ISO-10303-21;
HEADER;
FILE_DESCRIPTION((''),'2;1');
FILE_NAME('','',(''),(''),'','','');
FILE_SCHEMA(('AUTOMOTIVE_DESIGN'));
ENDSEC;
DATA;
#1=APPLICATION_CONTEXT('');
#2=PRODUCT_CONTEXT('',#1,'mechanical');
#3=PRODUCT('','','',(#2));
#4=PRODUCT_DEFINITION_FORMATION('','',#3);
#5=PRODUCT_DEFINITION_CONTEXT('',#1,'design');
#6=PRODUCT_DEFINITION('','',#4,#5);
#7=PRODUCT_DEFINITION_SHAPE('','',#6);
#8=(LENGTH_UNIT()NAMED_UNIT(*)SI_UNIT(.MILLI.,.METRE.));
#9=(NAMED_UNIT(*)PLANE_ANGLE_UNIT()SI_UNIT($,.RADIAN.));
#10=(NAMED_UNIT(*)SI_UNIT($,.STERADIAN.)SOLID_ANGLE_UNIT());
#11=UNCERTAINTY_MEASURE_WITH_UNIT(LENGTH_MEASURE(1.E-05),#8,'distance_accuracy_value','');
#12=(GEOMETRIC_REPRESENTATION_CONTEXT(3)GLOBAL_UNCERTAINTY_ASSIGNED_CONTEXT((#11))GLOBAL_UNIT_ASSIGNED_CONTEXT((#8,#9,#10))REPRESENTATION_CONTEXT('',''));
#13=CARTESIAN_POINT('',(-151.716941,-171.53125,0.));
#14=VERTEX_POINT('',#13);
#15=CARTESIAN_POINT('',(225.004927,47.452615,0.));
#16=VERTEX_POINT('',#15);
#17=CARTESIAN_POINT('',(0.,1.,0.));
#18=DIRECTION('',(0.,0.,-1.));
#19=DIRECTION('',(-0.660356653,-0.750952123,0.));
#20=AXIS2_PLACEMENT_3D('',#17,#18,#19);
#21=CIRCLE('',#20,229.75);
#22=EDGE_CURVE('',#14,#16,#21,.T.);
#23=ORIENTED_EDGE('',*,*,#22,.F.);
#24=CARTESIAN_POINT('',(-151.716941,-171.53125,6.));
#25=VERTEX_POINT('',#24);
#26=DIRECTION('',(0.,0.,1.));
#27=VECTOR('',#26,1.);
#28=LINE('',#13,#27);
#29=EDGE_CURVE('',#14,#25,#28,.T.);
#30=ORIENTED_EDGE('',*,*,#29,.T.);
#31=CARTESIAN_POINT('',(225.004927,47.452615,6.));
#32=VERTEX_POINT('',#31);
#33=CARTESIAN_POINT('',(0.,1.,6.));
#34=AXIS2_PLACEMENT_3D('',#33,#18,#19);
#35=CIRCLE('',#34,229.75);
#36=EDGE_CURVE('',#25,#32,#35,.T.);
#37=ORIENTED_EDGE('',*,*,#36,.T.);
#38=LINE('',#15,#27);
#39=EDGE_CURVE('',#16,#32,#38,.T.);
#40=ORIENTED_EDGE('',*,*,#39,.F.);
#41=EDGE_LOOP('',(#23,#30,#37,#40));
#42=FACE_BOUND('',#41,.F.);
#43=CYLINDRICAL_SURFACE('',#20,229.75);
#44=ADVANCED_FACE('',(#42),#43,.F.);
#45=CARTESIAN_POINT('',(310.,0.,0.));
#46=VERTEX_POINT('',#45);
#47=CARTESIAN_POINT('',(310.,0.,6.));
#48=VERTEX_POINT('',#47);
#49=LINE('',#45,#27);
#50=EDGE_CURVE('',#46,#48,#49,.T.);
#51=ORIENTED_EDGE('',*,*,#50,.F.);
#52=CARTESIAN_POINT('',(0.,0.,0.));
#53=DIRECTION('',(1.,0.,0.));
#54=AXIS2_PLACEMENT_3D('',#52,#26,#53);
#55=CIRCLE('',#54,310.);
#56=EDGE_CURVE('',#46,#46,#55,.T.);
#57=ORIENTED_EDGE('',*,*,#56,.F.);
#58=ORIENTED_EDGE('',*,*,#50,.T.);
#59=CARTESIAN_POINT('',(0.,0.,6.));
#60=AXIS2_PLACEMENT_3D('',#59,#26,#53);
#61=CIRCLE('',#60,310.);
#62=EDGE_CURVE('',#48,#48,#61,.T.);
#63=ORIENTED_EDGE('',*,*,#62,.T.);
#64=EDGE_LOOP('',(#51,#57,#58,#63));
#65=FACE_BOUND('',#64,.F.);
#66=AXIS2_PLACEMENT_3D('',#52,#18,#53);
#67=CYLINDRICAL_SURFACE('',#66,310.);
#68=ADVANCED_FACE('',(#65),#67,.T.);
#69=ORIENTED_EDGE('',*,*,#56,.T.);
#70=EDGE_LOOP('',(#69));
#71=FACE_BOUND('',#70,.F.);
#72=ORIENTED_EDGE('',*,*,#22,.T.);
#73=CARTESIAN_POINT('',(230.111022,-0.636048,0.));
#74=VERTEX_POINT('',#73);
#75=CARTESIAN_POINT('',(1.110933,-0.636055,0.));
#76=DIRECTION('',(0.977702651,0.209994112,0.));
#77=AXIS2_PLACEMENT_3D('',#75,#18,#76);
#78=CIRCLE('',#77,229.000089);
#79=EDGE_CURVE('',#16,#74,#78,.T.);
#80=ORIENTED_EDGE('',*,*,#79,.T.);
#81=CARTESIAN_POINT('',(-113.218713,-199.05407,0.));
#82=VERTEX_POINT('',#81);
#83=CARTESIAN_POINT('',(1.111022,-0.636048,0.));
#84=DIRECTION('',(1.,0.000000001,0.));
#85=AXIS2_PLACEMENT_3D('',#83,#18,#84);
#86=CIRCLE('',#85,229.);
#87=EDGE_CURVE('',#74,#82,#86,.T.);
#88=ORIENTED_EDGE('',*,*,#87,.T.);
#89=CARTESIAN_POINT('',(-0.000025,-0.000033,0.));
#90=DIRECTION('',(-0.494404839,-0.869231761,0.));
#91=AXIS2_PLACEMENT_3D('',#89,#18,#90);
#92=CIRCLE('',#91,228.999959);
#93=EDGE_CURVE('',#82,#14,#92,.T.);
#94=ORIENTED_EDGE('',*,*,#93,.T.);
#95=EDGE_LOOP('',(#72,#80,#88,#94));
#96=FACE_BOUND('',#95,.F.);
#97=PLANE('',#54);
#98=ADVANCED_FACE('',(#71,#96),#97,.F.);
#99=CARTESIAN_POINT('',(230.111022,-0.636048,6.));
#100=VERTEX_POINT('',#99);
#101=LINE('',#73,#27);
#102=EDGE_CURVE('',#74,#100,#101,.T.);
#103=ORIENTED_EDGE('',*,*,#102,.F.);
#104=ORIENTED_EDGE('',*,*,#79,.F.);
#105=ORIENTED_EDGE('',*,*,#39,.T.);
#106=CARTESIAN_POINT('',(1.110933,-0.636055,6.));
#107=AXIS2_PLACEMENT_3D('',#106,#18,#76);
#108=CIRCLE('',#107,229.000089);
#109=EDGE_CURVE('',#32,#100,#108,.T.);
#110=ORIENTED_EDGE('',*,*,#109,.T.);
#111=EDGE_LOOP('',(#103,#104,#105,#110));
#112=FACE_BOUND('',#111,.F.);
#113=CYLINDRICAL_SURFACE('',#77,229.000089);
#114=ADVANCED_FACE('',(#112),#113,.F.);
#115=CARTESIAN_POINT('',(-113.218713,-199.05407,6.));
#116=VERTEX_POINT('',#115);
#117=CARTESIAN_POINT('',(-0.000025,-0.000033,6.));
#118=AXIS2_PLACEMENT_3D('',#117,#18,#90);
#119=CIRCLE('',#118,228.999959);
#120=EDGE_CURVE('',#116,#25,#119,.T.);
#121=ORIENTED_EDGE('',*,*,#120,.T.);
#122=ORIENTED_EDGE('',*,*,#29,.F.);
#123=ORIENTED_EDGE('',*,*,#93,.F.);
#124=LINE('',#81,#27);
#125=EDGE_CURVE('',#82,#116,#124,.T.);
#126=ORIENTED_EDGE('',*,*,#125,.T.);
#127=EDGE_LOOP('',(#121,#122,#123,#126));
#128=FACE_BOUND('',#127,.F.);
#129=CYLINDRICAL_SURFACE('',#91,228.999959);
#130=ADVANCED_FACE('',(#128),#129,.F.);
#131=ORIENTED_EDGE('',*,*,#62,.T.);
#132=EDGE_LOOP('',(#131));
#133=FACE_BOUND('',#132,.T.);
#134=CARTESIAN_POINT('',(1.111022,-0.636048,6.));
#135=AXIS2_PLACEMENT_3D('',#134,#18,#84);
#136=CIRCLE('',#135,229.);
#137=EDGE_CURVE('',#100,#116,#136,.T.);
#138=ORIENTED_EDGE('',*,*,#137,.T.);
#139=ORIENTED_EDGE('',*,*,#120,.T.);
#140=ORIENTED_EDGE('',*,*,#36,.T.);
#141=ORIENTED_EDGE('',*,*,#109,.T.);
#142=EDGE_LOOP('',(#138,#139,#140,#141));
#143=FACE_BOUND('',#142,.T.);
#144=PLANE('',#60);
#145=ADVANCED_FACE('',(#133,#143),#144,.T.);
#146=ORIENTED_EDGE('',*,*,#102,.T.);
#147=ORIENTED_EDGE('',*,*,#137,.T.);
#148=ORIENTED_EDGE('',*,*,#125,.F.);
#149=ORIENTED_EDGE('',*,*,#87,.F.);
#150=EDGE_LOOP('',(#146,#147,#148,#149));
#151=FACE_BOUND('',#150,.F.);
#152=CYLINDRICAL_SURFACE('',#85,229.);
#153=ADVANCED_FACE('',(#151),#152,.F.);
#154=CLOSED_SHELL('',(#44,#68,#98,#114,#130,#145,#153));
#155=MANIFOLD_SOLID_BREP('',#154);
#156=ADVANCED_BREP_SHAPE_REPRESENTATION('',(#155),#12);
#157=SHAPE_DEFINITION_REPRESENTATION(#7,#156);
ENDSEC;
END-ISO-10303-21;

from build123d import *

# Parameters (mm, degrees)
F0_R     = 310
F1_DEPTH = 6


with BuildPart() as f1:
    # F0 (on Top) → F1 (new body)
    with BuildSketch(Plane.XY):
        Circle(F0_R)
        with BuildLine():
            ThreePointArc((-113.218713, -199.05407), (-133.180711, -186.289823), (-151.716941, -171.53125))
            ThreePointArc((-151.716941, -171.53125), (-115.4611, 199.629799), (225.004927, 47.452615))
            ThreePointArc((225.004927, 47.452615), (228.83092, 23.543446), (230.111022, -0.636048))
            ThreePointArc((230.111022, -0.636048), (115.696123, -198.906708), (-113.218713, -199.05407))
        make_face(mode=Mode.SUBTRACT)
    extrude(amount=F1_DEPTH)


solid = f1.part
